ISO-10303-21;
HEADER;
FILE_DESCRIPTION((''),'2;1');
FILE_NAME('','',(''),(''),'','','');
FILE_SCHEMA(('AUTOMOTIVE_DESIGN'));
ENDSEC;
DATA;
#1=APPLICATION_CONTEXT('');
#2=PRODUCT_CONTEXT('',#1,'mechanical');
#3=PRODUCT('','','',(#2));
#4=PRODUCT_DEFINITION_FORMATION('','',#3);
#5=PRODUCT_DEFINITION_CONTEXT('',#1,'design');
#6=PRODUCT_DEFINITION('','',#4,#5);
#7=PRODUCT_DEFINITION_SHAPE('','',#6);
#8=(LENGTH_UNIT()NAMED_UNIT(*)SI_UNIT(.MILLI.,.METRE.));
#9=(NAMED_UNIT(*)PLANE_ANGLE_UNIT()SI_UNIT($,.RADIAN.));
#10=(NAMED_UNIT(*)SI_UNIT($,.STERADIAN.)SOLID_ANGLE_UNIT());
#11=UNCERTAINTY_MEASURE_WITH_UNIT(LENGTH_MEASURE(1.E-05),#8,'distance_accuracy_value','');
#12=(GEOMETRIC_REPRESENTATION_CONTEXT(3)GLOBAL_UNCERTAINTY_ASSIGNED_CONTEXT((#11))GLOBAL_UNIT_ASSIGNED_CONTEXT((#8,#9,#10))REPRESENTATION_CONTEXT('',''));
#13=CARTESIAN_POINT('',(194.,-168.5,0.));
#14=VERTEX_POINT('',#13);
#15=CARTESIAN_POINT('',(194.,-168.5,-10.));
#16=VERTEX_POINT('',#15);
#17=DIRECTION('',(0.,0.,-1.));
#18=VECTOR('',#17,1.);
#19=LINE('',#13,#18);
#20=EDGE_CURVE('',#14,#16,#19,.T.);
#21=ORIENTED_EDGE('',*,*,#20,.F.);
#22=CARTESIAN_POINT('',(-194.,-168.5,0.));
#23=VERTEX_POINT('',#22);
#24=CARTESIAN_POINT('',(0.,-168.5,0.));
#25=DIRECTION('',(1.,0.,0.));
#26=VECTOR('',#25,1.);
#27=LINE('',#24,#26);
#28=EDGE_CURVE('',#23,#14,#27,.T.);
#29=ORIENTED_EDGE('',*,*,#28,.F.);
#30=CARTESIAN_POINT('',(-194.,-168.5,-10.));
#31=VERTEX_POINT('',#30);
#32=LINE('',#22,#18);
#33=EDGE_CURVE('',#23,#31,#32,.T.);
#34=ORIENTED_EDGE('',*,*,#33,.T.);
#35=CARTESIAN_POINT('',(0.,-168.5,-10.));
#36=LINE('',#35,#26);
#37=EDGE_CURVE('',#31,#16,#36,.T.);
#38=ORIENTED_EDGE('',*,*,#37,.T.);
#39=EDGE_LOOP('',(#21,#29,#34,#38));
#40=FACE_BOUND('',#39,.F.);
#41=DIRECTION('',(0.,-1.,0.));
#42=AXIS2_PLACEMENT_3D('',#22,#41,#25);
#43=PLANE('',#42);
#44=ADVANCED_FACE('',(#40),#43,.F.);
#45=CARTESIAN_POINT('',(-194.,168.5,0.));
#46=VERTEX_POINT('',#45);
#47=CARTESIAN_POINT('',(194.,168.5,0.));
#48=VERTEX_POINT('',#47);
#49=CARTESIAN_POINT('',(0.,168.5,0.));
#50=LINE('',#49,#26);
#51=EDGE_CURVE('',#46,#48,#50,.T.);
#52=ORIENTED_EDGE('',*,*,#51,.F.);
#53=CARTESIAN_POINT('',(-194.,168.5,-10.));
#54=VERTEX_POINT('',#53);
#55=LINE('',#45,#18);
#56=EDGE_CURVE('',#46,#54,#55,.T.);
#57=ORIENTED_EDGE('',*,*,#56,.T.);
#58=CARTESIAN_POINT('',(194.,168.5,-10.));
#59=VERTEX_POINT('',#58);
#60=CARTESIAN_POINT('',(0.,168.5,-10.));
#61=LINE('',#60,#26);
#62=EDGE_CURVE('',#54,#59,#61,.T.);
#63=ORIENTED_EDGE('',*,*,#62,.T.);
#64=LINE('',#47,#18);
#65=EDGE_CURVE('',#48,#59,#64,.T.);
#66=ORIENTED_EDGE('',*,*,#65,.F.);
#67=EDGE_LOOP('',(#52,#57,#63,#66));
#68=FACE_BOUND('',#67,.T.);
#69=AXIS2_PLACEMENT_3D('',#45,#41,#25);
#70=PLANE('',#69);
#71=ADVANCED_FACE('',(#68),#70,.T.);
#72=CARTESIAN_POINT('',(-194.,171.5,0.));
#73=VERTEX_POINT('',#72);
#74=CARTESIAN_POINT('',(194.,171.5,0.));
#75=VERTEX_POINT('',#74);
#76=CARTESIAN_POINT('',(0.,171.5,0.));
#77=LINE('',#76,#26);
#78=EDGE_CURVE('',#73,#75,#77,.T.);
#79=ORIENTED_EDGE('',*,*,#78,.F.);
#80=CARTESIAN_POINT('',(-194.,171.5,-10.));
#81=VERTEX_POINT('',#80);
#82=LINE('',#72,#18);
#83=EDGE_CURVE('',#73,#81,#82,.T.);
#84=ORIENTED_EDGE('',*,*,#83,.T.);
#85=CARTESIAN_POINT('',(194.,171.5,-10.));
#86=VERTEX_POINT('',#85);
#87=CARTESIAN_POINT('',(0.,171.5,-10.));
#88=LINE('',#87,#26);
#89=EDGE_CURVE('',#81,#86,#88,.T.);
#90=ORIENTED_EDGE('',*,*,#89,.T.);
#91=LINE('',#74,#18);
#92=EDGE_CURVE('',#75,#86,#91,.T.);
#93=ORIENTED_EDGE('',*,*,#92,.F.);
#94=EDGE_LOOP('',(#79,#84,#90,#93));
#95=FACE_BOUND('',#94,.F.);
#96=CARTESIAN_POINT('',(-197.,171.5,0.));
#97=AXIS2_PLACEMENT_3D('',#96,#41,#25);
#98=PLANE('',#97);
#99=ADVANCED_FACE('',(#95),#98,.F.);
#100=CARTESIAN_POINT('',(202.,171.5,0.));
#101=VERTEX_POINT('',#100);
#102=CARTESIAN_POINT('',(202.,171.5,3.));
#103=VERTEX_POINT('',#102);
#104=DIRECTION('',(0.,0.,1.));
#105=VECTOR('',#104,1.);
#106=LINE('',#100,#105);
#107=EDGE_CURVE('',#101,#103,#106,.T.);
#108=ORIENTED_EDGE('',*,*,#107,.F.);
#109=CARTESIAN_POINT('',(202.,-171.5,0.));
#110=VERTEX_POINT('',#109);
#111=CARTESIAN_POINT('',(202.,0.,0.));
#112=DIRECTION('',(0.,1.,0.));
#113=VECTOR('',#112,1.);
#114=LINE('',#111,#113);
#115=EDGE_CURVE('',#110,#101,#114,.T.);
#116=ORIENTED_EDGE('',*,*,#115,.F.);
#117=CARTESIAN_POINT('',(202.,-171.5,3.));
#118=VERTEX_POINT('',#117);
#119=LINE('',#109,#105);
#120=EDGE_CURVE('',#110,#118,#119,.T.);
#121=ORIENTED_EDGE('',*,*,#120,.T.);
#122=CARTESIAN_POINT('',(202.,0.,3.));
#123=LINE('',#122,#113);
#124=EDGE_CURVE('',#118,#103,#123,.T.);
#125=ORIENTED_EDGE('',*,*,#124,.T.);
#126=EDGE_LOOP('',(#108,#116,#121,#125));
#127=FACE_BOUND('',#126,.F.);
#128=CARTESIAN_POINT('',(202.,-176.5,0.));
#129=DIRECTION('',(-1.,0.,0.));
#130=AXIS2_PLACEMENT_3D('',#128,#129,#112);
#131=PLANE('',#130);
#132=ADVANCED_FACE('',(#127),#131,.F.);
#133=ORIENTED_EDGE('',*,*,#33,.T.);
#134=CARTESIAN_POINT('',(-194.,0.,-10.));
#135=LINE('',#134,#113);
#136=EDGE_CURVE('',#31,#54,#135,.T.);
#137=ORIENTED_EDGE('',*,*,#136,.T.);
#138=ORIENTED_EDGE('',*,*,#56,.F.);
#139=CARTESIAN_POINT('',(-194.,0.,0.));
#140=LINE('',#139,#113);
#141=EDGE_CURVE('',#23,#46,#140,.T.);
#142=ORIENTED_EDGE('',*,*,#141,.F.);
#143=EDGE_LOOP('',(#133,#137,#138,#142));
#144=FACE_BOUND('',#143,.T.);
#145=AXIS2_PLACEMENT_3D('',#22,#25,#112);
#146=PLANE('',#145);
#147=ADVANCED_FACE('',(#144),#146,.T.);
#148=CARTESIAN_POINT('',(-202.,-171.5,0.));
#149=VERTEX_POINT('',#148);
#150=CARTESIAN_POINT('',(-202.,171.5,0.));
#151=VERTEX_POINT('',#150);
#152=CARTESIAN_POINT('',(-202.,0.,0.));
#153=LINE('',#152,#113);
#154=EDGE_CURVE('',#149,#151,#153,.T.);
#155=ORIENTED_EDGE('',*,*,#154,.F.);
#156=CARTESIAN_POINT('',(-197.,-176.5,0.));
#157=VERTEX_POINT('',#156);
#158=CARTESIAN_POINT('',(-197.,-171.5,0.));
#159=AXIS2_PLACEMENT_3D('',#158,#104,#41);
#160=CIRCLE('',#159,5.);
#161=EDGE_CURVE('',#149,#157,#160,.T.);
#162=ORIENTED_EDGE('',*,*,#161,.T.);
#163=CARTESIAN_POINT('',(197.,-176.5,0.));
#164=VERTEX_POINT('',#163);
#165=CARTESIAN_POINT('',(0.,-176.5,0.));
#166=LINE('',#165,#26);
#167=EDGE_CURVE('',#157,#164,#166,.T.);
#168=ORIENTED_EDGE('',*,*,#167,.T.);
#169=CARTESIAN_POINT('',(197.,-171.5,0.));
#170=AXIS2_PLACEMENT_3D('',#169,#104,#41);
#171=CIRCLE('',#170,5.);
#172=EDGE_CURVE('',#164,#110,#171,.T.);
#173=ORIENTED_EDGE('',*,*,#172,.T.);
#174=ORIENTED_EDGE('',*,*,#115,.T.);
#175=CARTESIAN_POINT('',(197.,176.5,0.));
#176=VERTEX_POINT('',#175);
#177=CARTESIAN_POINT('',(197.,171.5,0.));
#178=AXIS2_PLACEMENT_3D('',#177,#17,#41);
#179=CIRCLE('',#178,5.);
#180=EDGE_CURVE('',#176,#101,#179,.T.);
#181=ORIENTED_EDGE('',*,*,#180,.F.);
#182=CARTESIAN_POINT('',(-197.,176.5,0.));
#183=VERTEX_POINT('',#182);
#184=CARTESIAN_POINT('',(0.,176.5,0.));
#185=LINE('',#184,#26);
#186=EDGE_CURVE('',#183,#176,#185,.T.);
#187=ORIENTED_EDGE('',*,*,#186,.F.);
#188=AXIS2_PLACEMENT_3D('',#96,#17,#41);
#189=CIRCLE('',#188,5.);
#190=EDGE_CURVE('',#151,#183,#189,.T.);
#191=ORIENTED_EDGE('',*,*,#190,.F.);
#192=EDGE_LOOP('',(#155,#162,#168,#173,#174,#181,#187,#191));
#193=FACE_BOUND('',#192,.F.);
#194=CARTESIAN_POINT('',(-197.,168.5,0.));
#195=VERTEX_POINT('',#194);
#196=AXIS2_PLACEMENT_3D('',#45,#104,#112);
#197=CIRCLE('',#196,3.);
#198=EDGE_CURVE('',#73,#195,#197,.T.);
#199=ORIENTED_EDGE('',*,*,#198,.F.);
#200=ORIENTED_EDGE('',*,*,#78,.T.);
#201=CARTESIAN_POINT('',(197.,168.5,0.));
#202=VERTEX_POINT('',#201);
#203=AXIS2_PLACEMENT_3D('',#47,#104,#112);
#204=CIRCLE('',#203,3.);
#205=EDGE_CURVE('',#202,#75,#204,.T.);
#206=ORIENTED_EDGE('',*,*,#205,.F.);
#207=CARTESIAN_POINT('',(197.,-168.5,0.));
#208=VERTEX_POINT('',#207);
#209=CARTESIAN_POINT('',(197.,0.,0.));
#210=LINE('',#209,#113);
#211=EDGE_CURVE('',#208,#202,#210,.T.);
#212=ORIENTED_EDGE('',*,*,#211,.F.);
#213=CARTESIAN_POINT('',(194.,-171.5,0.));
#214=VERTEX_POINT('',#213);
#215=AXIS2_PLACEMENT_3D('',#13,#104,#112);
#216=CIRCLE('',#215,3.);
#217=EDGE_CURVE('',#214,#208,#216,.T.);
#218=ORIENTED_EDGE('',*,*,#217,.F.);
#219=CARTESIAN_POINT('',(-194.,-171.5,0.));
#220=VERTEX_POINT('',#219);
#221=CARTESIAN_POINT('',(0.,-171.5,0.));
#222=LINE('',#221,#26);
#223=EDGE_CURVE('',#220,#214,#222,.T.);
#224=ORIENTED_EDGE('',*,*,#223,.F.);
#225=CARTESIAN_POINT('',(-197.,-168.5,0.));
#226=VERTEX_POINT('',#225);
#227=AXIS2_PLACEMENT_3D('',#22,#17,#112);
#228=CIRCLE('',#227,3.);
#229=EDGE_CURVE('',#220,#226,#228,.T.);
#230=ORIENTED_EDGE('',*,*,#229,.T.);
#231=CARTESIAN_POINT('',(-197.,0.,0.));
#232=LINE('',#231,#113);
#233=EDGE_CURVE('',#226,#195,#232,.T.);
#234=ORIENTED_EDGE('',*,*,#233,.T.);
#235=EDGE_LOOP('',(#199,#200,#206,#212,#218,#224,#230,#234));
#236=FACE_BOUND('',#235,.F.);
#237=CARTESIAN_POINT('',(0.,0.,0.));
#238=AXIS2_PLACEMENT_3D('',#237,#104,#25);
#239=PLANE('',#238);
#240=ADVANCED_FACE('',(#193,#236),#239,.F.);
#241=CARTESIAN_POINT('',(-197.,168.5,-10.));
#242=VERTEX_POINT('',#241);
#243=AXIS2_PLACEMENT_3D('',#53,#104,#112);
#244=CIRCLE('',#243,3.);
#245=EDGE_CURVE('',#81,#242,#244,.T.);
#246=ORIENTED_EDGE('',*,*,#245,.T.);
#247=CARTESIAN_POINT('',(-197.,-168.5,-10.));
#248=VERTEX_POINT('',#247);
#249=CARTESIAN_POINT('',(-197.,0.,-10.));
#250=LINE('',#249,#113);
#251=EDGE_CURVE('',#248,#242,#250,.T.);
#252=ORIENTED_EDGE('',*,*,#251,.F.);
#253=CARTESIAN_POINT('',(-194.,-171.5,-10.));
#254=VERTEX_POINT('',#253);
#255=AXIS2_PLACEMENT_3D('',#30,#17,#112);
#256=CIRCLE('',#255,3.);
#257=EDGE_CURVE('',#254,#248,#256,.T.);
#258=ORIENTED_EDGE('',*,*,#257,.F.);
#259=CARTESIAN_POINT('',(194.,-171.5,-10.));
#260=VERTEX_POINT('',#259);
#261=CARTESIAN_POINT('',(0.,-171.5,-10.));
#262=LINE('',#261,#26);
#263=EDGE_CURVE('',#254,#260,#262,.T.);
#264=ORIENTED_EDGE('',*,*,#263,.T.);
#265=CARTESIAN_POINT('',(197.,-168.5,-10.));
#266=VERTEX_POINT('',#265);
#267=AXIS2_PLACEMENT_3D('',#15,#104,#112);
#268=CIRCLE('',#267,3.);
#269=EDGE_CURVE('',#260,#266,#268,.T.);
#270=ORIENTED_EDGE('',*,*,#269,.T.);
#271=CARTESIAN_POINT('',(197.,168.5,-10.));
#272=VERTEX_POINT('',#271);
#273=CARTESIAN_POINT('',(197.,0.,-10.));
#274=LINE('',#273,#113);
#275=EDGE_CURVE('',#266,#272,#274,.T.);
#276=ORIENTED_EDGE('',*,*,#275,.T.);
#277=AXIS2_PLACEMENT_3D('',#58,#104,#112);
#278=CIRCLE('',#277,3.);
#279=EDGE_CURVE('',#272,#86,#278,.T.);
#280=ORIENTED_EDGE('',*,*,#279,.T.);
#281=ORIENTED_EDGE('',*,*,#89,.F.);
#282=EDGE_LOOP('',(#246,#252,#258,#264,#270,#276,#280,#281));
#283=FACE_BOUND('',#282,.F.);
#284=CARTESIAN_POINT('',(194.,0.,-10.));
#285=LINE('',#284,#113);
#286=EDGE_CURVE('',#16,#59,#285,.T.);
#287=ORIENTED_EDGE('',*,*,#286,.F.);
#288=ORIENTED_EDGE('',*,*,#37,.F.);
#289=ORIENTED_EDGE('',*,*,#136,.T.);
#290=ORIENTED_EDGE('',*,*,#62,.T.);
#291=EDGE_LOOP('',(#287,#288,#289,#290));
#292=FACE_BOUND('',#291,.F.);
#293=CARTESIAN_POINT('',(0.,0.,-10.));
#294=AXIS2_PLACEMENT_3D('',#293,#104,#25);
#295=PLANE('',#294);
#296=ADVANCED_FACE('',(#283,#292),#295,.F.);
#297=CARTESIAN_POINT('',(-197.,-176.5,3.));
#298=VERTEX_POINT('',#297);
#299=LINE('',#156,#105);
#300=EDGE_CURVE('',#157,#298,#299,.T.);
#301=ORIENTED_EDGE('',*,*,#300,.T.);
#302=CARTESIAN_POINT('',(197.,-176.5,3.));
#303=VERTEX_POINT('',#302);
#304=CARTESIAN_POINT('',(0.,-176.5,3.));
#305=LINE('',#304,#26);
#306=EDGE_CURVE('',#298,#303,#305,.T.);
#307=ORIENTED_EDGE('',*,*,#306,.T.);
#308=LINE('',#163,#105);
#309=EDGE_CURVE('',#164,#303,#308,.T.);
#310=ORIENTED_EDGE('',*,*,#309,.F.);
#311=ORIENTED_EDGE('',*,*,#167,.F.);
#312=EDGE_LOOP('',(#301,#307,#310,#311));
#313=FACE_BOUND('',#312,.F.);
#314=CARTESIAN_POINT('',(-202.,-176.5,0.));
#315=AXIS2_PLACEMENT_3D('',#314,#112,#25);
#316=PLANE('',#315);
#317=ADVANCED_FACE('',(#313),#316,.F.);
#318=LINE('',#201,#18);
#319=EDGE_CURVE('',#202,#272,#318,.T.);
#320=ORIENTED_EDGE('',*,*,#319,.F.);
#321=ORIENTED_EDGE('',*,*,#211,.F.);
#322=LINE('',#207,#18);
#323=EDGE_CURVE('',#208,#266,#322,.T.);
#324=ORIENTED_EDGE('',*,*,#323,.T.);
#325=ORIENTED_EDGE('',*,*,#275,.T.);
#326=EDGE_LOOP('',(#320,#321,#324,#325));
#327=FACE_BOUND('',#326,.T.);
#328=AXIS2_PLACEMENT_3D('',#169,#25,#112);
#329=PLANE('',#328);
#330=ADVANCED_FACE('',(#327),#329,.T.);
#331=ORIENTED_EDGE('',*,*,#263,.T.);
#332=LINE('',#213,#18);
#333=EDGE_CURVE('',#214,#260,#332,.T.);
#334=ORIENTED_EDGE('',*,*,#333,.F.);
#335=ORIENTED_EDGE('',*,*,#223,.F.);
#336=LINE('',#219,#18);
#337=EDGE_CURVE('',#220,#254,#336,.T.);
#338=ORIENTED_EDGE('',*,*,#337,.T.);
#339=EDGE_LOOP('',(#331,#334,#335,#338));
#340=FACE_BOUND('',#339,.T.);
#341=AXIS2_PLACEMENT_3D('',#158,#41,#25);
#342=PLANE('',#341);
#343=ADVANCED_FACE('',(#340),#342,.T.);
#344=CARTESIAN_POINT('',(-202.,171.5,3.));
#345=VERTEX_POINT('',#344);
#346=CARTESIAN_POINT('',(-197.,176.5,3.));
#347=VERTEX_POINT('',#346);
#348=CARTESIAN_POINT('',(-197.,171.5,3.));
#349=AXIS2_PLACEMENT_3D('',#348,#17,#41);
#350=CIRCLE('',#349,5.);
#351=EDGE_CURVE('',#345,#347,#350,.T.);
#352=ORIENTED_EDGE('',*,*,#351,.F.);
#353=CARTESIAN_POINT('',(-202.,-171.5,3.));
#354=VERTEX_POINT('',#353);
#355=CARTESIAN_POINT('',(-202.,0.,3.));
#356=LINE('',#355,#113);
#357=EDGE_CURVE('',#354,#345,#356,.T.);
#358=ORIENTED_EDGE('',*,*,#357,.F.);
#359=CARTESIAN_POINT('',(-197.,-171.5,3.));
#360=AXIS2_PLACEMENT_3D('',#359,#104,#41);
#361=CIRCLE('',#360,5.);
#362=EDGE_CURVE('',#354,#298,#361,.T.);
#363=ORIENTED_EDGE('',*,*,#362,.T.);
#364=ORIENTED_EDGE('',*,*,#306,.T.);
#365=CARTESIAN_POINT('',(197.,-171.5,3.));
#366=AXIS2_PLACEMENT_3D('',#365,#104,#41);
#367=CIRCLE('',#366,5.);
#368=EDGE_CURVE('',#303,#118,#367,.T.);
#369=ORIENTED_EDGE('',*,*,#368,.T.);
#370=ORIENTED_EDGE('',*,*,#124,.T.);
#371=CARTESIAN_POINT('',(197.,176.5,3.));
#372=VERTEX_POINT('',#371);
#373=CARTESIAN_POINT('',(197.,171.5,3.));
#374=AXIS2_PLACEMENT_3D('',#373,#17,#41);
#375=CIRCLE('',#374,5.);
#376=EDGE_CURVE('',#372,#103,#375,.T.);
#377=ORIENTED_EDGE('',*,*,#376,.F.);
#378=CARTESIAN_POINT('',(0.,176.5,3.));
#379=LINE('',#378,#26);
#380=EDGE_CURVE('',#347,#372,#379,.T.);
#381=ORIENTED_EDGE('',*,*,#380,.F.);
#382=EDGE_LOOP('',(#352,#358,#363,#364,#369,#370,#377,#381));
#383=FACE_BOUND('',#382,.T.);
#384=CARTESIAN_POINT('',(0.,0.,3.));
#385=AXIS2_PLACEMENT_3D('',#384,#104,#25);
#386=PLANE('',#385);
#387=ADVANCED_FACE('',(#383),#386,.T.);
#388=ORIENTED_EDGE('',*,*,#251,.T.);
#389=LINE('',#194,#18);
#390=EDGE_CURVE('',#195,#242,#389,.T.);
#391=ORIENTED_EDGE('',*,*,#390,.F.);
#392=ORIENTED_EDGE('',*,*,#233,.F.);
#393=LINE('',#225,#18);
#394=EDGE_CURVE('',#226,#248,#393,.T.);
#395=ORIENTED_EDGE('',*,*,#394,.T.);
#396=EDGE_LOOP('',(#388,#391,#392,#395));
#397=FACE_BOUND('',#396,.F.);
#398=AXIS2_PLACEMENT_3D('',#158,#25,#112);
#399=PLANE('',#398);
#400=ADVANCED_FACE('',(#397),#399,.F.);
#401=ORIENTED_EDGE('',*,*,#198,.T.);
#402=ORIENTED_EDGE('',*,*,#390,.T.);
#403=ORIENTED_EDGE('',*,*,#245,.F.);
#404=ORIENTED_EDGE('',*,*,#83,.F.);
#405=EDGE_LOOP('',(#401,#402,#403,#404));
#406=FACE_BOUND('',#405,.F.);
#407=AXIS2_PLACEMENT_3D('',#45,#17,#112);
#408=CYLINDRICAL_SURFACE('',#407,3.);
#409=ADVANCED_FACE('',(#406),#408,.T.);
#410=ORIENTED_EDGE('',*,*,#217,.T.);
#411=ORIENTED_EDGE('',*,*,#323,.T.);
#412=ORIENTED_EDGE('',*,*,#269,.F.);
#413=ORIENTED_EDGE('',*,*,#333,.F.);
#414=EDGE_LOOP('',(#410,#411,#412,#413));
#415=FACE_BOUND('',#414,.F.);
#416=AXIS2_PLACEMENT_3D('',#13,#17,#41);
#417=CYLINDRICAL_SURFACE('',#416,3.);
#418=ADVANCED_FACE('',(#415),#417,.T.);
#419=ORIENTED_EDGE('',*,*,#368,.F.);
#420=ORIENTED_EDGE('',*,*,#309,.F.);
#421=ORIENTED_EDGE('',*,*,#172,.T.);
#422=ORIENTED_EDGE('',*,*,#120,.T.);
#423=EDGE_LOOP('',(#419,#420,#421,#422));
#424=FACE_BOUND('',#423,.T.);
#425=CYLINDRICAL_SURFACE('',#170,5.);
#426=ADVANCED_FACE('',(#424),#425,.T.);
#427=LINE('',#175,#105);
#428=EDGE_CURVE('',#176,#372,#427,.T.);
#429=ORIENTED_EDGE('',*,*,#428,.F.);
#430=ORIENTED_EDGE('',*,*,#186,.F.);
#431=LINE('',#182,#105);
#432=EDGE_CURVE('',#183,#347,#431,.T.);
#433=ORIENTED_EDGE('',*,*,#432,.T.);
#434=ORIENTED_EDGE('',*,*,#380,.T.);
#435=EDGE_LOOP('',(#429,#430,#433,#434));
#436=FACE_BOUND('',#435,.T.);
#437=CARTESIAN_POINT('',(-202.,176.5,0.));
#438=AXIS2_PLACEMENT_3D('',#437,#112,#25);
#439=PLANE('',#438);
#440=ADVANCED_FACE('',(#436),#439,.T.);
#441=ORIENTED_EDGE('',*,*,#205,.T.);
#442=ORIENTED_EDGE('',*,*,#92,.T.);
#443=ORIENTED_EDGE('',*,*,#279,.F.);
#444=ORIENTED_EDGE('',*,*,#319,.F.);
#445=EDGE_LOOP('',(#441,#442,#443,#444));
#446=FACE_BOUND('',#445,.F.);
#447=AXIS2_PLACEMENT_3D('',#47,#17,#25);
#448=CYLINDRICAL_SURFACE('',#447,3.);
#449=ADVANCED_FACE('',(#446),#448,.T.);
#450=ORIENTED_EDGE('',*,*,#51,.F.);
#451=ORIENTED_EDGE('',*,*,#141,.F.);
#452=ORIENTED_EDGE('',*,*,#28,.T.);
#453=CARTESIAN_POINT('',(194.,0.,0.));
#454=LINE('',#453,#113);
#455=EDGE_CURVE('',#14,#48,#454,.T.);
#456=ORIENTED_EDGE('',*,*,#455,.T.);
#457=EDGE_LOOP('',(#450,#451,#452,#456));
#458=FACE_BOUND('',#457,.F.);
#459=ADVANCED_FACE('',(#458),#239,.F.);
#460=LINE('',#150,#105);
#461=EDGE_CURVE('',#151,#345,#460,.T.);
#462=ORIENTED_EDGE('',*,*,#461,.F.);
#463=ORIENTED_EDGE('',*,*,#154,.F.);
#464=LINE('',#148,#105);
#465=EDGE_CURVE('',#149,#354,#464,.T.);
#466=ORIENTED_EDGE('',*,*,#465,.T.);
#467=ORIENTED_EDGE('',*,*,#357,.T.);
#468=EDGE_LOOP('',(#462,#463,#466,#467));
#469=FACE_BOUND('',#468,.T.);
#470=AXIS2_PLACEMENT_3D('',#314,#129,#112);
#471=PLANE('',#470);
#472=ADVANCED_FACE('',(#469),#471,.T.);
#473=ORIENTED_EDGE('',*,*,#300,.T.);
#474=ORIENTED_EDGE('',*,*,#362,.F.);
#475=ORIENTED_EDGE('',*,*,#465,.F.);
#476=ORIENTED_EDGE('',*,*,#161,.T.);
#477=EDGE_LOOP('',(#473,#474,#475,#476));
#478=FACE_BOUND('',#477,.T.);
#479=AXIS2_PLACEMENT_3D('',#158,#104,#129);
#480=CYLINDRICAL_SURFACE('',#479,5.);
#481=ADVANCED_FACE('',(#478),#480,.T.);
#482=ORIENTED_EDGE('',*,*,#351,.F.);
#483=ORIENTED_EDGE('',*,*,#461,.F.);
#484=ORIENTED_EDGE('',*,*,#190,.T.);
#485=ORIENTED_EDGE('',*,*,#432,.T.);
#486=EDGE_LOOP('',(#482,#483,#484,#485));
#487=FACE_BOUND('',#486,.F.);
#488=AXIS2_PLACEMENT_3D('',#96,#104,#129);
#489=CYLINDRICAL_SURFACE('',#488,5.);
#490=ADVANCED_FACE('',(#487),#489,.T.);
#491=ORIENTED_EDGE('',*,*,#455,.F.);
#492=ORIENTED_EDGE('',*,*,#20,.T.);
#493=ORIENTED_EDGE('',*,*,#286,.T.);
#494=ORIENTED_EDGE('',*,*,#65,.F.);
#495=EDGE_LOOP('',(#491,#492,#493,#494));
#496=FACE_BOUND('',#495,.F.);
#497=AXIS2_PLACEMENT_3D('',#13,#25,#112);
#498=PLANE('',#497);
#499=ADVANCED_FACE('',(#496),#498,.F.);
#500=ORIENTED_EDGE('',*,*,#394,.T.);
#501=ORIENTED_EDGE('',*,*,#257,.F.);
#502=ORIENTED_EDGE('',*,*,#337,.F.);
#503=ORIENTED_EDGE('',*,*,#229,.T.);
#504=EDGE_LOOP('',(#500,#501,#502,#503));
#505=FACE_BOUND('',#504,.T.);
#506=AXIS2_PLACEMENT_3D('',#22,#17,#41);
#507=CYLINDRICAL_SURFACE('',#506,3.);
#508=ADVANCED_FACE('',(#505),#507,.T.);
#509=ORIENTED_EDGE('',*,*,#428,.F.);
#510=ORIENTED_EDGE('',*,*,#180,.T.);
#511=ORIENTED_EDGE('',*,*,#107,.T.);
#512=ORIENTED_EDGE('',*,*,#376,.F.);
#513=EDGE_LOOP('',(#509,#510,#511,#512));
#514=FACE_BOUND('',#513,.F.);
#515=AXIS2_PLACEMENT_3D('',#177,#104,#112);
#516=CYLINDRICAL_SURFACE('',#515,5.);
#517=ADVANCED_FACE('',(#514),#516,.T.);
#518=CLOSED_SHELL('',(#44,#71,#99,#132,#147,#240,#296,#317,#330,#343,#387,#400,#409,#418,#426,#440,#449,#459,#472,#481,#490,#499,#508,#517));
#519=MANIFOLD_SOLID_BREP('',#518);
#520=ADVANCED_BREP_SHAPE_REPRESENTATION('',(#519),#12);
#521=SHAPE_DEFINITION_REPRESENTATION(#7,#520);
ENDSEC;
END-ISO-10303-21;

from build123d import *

# Parameters (mm, degrees)
F0_W     = 394
F0_H     = 343
F0_W_2   = 388
F0_H_2   = 337
F1_DEPTH = 10
F2_W     = 404
F2_H     = 353
F3_DEPTH = 3
F4_R     = 5
F5_R     = 3


with BuildPart() as f1:
    # F0 (on Top) → F1 (new body)
    with BuildSketch(Plane.XY):
        Rectangle(F0_W, F0_H)
        Rectangle(F0_W_2, F0_H_2, mode=Mode.SUBTRACT)
    extrude(amount=-F1_DEPTH)

    # F2 (on face) → F3 (join)
    with BuildSketch(Plane.XY):
        Rectangle(F2_W, F2_H)
    extrude(amount=F3_DEPTH)

    # F4
    f4_edges = [f1.edges().sort_by_distance(p)[0] for p in [
        (-202, -176.5, 1.5),
        (202, -176.5, 1.5),
        (202, 176.5, 1.5),
        (-202, 176.5, 1.5),
    ]]
    fillet(f4_edges, radius=F4_R)

    # F5
    f5_edges = [f1.edges().sort_by_distance(p)[0] for p in [
        (197, 171.5, -5),
        (-197, 171.5, -5),
        (-197, -171.5, -5),
        (197, -171.5, -5),
    ]]
    fillet(f5_edges, radius=F5_R)


solid = f1.part
